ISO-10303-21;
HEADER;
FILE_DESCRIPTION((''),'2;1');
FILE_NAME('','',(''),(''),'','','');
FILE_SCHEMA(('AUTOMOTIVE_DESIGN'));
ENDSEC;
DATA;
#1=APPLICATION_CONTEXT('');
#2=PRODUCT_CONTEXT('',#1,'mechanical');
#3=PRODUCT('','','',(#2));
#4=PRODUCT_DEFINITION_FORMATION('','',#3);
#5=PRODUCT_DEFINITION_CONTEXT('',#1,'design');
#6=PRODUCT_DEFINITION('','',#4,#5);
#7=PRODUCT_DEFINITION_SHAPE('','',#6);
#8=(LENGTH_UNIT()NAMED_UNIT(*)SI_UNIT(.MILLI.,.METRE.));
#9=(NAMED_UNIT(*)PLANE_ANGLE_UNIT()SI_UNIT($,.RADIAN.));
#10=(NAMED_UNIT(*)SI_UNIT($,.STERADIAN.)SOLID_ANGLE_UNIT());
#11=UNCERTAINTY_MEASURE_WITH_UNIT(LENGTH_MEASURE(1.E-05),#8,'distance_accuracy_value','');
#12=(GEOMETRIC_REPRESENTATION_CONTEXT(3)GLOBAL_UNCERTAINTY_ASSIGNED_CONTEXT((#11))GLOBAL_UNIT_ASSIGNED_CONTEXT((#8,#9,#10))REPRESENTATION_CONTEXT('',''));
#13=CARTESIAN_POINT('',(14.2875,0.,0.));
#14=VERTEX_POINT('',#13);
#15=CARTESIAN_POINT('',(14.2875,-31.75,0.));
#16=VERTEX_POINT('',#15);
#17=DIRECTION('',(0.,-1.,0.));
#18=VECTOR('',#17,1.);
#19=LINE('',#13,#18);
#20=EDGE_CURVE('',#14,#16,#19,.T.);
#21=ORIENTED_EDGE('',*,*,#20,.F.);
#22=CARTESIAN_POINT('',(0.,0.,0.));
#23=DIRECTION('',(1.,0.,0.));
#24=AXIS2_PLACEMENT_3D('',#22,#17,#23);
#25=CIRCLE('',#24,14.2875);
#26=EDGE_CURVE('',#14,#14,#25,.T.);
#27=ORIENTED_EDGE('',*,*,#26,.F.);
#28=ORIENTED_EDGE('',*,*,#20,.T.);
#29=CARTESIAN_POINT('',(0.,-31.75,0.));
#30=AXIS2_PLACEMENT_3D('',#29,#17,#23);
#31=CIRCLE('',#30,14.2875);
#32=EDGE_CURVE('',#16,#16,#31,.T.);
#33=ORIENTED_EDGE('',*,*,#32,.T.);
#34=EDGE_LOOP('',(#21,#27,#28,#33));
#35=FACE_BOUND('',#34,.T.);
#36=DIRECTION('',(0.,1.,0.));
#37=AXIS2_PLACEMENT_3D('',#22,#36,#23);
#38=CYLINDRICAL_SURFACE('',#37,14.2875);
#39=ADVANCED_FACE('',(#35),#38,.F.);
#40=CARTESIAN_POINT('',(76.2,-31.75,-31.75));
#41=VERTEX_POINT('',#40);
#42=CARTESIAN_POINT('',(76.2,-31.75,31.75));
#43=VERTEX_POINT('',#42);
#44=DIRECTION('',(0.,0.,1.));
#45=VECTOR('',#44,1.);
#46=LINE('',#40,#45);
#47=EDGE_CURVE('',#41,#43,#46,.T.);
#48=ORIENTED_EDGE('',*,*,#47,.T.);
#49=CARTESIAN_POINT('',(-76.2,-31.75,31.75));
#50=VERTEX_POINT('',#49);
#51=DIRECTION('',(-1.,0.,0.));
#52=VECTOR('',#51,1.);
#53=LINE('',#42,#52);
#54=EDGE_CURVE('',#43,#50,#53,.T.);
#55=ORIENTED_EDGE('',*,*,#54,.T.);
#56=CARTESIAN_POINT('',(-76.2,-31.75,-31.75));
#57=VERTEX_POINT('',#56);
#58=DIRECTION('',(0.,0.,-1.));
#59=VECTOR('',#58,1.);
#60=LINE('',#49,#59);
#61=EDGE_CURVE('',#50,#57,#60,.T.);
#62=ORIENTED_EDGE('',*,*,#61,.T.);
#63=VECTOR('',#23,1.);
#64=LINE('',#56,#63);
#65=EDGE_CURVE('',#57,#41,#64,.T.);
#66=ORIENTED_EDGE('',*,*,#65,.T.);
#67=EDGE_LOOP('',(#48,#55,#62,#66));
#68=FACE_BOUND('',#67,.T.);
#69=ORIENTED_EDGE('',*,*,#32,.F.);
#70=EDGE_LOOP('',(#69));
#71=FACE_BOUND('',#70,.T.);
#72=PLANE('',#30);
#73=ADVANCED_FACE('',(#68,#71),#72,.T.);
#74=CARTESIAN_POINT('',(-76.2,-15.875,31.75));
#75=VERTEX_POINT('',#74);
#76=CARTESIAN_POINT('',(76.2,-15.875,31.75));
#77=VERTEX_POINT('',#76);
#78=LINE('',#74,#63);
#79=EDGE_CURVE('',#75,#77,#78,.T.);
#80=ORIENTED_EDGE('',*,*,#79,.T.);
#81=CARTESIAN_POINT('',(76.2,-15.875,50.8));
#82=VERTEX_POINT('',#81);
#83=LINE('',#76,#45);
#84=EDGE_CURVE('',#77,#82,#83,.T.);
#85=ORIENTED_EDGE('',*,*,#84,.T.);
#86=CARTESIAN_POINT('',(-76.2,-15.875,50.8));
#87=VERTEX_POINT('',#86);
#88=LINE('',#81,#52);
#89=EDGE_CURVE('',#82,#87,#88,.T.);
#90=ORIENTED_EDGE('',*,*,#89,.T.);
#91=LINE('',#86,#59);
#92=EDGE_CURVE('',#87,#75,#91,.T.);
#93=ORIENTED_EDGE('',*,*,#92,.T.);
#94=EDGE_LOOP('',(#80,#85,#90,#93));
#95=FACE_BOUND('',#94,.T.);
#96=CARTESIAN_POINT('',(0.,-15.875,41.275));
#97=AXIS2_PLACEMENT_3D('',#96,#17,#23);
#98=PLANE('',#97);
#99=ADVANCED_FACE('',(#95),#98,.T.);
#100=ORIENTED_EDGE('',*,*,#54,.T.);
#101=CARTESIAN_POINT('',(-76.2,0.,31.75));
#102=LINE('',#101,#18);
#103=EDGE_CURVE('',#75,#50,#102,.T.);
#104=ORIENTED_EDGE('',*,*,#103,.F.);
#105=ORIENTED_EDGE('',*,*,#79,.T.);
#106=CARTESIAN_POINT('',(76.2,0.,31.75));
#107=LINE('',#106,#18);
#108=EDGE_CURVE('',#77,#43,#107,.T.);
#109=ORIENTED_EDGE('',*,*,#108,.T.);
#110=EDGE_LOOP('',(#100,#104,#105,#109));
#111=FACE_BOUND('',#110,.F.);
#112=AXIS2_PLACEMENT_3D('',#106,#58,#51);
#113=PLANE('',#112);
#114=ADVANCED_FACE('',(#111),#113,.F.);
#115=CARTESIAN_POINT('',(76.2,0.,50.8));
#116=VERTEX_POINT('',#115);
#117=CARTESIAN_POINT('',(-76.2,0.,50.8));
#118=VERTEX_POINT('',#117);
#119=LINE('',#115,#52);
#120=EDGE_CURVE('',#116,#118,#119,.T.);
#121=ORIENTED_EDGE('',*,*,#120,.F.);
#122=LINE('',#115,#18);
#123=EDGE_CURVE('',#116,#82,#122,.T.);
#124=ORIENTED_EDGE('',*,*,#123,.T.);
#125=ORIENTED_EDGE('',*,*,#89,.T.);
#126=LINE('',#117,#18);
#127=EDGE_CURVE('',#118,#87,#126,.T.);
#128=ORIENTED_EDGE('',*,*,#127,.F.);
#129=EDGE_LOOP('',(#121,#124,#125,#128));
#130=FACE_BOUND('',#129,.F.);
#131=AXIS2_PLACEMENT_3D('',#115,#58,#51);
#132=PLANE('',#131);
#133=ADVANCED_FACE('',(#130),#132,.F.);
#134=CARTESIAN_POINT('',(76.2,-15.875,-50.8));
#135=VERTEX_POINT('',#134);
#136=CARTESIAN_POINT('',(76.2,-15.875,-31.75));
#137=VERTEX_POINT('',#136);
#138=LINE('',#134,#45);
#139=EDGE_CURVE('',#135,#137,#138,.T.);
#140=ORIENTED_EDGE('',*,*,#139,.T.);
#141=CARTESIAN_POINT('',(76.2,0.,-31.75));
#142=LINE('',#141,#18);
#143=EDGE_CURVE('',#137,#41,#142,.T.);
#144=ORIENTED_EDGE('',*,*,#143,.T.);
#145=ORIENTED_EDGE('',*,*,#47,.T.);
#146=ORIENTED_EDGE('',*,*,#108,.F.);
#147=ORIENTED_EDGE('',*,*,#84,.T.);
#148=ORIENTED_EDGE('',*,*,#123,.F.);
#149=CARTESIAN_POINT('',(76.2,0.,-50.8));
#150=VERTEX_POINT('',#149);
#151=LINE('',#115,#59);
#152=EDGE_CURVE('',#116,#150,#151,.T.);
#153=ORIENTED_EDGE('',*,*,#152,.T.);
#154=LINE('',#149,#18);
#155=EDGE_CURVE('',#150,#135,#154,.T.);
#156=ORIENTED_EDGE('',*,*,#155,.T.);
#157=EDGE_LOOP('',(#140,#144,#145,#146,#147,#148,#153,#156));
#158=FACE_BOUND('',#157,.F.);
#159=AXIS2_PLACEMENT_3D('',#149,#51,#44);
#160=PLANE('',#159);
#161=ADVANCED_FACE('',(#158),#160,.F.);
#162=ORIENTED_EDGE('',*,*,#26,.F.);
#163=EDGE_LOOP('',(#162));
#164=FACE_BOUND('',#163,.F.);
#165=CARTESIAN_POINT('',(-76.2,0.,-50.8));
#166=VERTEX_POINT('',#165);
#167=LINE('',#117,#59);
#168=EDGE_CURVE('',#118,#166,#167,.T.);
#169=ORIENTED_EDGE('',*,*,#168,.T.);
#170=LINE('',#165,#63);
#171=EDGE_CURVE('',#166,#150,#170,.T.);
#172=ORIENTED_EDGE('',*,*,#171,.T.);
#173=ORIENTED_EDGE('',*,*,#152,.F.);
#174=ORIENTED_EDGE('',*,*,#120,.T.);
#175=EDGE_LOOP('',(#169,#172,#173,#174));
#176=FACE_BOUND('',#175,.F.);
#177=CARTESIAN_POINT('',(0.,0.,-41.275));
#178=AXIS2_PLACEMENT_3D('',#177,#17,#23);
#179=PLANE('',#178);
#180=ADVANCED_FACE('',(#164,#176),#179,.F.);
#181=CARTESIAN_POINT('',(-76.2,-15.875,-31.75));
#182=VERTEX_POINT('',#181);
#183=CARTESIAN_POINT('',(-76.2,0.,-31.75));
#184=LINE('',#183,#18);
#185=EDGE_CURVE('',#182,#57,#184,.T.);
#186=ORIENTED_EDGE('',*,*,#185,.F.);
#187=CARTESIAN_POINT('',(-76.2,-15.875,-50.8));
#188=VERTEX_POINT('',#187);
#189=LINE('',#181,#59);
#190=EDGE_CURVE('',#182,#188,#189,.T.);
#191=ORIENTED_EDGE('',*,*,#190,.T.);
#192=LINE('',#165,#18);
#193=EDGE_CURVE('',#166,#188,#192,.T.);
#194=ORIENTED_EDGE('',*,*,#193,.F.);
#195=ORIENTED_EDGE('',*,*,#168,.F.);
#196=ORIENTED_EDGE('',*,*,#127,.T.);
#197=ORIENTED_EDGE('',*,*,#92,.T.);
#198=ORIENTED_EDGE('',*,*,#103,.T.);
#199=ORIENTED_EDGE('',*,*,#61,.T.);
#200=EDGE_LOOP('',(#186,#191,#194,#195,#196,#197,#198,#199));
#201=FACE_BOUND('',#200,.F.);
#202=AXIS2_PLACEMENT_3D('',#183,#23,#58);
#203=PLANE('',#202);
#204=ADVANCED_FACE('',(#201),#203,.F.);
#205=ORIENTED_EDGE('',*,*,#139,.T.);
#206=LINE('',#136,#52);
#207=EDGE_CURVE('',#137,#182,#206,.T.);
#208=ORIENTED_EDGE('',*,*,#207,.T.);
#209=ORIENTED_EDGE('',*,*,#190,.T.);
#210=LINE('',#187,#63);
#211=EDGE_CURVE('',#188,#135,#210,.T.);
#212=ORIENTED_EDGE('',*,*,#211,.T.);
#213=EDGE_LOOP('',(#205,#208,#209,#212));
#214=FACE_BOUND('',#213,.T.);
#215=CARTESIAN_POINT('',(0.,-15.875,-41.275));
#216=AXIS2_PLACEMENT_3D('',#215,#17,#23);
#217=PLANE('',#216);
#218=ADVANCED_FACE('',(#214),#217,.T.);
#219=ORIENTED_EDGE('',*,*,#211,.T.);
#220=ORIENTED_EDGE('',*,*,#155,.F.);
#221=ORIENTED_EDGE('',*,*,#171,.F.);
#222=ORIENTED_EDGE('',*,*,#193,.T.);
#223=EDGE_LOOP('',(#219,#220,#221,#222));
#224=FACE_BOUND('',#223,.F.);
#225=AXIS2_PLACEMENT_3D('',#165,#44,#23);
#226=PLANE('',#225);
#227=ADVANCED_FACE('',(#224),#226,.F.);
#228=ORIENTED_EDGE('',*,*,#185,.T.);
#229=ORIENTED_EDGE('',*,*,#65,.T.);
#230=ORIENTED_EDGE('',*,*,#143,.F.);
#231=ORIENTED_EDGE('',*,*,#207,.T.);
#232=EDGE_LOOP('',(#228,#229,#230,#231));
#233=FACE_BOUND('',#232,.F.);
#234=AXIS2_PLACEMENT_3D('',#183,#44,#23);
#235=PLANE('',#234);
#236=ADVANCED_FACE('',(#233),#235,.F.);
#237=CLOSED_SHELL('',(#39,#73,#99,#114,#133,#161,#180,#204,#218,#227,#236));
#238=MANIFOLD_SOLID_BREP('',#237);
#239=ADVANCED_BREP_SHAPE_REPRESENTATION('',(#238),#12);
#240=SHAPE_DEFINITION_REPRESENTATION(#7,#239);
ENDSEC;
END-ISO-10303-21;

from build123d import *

# Parameters (mm, degrees)
F0_R     = 14.2875
F1_DEPTH = 31.75
F2_DEPTH = 15.875


with BuildPart() as f1:
    # F0 (on Front) → F1 (new body)
    with BuildSketch(Plane.XZ):
        Polygon((76.2, 31.75), (0, 31.75), (-76.2, 31.75), (-76.2, -31.75), (0, -31.75), (76.2, -31.75), align=None)
        Circle(F0_R, mode=Mode.SUBTRACT)
    extrude(amount=F1_DEPTH)

    # F0 (on Front) → F2 (join)
    with BuildSketch(Plane.XZ):
        Polygon((0, -31.75), (-76.2, -31.75), (-76.2, -50.8), (76.2, -50.8), (76.2, -31.75), align=None)
        Polygon((-76.2, 31.75), (0, 31.75), (76.2, 31.75), (76.2, 50.8), (-76.2, 50.8), align=None)
    extrude(amount=F2_DEPTH)


solid = f1.part
